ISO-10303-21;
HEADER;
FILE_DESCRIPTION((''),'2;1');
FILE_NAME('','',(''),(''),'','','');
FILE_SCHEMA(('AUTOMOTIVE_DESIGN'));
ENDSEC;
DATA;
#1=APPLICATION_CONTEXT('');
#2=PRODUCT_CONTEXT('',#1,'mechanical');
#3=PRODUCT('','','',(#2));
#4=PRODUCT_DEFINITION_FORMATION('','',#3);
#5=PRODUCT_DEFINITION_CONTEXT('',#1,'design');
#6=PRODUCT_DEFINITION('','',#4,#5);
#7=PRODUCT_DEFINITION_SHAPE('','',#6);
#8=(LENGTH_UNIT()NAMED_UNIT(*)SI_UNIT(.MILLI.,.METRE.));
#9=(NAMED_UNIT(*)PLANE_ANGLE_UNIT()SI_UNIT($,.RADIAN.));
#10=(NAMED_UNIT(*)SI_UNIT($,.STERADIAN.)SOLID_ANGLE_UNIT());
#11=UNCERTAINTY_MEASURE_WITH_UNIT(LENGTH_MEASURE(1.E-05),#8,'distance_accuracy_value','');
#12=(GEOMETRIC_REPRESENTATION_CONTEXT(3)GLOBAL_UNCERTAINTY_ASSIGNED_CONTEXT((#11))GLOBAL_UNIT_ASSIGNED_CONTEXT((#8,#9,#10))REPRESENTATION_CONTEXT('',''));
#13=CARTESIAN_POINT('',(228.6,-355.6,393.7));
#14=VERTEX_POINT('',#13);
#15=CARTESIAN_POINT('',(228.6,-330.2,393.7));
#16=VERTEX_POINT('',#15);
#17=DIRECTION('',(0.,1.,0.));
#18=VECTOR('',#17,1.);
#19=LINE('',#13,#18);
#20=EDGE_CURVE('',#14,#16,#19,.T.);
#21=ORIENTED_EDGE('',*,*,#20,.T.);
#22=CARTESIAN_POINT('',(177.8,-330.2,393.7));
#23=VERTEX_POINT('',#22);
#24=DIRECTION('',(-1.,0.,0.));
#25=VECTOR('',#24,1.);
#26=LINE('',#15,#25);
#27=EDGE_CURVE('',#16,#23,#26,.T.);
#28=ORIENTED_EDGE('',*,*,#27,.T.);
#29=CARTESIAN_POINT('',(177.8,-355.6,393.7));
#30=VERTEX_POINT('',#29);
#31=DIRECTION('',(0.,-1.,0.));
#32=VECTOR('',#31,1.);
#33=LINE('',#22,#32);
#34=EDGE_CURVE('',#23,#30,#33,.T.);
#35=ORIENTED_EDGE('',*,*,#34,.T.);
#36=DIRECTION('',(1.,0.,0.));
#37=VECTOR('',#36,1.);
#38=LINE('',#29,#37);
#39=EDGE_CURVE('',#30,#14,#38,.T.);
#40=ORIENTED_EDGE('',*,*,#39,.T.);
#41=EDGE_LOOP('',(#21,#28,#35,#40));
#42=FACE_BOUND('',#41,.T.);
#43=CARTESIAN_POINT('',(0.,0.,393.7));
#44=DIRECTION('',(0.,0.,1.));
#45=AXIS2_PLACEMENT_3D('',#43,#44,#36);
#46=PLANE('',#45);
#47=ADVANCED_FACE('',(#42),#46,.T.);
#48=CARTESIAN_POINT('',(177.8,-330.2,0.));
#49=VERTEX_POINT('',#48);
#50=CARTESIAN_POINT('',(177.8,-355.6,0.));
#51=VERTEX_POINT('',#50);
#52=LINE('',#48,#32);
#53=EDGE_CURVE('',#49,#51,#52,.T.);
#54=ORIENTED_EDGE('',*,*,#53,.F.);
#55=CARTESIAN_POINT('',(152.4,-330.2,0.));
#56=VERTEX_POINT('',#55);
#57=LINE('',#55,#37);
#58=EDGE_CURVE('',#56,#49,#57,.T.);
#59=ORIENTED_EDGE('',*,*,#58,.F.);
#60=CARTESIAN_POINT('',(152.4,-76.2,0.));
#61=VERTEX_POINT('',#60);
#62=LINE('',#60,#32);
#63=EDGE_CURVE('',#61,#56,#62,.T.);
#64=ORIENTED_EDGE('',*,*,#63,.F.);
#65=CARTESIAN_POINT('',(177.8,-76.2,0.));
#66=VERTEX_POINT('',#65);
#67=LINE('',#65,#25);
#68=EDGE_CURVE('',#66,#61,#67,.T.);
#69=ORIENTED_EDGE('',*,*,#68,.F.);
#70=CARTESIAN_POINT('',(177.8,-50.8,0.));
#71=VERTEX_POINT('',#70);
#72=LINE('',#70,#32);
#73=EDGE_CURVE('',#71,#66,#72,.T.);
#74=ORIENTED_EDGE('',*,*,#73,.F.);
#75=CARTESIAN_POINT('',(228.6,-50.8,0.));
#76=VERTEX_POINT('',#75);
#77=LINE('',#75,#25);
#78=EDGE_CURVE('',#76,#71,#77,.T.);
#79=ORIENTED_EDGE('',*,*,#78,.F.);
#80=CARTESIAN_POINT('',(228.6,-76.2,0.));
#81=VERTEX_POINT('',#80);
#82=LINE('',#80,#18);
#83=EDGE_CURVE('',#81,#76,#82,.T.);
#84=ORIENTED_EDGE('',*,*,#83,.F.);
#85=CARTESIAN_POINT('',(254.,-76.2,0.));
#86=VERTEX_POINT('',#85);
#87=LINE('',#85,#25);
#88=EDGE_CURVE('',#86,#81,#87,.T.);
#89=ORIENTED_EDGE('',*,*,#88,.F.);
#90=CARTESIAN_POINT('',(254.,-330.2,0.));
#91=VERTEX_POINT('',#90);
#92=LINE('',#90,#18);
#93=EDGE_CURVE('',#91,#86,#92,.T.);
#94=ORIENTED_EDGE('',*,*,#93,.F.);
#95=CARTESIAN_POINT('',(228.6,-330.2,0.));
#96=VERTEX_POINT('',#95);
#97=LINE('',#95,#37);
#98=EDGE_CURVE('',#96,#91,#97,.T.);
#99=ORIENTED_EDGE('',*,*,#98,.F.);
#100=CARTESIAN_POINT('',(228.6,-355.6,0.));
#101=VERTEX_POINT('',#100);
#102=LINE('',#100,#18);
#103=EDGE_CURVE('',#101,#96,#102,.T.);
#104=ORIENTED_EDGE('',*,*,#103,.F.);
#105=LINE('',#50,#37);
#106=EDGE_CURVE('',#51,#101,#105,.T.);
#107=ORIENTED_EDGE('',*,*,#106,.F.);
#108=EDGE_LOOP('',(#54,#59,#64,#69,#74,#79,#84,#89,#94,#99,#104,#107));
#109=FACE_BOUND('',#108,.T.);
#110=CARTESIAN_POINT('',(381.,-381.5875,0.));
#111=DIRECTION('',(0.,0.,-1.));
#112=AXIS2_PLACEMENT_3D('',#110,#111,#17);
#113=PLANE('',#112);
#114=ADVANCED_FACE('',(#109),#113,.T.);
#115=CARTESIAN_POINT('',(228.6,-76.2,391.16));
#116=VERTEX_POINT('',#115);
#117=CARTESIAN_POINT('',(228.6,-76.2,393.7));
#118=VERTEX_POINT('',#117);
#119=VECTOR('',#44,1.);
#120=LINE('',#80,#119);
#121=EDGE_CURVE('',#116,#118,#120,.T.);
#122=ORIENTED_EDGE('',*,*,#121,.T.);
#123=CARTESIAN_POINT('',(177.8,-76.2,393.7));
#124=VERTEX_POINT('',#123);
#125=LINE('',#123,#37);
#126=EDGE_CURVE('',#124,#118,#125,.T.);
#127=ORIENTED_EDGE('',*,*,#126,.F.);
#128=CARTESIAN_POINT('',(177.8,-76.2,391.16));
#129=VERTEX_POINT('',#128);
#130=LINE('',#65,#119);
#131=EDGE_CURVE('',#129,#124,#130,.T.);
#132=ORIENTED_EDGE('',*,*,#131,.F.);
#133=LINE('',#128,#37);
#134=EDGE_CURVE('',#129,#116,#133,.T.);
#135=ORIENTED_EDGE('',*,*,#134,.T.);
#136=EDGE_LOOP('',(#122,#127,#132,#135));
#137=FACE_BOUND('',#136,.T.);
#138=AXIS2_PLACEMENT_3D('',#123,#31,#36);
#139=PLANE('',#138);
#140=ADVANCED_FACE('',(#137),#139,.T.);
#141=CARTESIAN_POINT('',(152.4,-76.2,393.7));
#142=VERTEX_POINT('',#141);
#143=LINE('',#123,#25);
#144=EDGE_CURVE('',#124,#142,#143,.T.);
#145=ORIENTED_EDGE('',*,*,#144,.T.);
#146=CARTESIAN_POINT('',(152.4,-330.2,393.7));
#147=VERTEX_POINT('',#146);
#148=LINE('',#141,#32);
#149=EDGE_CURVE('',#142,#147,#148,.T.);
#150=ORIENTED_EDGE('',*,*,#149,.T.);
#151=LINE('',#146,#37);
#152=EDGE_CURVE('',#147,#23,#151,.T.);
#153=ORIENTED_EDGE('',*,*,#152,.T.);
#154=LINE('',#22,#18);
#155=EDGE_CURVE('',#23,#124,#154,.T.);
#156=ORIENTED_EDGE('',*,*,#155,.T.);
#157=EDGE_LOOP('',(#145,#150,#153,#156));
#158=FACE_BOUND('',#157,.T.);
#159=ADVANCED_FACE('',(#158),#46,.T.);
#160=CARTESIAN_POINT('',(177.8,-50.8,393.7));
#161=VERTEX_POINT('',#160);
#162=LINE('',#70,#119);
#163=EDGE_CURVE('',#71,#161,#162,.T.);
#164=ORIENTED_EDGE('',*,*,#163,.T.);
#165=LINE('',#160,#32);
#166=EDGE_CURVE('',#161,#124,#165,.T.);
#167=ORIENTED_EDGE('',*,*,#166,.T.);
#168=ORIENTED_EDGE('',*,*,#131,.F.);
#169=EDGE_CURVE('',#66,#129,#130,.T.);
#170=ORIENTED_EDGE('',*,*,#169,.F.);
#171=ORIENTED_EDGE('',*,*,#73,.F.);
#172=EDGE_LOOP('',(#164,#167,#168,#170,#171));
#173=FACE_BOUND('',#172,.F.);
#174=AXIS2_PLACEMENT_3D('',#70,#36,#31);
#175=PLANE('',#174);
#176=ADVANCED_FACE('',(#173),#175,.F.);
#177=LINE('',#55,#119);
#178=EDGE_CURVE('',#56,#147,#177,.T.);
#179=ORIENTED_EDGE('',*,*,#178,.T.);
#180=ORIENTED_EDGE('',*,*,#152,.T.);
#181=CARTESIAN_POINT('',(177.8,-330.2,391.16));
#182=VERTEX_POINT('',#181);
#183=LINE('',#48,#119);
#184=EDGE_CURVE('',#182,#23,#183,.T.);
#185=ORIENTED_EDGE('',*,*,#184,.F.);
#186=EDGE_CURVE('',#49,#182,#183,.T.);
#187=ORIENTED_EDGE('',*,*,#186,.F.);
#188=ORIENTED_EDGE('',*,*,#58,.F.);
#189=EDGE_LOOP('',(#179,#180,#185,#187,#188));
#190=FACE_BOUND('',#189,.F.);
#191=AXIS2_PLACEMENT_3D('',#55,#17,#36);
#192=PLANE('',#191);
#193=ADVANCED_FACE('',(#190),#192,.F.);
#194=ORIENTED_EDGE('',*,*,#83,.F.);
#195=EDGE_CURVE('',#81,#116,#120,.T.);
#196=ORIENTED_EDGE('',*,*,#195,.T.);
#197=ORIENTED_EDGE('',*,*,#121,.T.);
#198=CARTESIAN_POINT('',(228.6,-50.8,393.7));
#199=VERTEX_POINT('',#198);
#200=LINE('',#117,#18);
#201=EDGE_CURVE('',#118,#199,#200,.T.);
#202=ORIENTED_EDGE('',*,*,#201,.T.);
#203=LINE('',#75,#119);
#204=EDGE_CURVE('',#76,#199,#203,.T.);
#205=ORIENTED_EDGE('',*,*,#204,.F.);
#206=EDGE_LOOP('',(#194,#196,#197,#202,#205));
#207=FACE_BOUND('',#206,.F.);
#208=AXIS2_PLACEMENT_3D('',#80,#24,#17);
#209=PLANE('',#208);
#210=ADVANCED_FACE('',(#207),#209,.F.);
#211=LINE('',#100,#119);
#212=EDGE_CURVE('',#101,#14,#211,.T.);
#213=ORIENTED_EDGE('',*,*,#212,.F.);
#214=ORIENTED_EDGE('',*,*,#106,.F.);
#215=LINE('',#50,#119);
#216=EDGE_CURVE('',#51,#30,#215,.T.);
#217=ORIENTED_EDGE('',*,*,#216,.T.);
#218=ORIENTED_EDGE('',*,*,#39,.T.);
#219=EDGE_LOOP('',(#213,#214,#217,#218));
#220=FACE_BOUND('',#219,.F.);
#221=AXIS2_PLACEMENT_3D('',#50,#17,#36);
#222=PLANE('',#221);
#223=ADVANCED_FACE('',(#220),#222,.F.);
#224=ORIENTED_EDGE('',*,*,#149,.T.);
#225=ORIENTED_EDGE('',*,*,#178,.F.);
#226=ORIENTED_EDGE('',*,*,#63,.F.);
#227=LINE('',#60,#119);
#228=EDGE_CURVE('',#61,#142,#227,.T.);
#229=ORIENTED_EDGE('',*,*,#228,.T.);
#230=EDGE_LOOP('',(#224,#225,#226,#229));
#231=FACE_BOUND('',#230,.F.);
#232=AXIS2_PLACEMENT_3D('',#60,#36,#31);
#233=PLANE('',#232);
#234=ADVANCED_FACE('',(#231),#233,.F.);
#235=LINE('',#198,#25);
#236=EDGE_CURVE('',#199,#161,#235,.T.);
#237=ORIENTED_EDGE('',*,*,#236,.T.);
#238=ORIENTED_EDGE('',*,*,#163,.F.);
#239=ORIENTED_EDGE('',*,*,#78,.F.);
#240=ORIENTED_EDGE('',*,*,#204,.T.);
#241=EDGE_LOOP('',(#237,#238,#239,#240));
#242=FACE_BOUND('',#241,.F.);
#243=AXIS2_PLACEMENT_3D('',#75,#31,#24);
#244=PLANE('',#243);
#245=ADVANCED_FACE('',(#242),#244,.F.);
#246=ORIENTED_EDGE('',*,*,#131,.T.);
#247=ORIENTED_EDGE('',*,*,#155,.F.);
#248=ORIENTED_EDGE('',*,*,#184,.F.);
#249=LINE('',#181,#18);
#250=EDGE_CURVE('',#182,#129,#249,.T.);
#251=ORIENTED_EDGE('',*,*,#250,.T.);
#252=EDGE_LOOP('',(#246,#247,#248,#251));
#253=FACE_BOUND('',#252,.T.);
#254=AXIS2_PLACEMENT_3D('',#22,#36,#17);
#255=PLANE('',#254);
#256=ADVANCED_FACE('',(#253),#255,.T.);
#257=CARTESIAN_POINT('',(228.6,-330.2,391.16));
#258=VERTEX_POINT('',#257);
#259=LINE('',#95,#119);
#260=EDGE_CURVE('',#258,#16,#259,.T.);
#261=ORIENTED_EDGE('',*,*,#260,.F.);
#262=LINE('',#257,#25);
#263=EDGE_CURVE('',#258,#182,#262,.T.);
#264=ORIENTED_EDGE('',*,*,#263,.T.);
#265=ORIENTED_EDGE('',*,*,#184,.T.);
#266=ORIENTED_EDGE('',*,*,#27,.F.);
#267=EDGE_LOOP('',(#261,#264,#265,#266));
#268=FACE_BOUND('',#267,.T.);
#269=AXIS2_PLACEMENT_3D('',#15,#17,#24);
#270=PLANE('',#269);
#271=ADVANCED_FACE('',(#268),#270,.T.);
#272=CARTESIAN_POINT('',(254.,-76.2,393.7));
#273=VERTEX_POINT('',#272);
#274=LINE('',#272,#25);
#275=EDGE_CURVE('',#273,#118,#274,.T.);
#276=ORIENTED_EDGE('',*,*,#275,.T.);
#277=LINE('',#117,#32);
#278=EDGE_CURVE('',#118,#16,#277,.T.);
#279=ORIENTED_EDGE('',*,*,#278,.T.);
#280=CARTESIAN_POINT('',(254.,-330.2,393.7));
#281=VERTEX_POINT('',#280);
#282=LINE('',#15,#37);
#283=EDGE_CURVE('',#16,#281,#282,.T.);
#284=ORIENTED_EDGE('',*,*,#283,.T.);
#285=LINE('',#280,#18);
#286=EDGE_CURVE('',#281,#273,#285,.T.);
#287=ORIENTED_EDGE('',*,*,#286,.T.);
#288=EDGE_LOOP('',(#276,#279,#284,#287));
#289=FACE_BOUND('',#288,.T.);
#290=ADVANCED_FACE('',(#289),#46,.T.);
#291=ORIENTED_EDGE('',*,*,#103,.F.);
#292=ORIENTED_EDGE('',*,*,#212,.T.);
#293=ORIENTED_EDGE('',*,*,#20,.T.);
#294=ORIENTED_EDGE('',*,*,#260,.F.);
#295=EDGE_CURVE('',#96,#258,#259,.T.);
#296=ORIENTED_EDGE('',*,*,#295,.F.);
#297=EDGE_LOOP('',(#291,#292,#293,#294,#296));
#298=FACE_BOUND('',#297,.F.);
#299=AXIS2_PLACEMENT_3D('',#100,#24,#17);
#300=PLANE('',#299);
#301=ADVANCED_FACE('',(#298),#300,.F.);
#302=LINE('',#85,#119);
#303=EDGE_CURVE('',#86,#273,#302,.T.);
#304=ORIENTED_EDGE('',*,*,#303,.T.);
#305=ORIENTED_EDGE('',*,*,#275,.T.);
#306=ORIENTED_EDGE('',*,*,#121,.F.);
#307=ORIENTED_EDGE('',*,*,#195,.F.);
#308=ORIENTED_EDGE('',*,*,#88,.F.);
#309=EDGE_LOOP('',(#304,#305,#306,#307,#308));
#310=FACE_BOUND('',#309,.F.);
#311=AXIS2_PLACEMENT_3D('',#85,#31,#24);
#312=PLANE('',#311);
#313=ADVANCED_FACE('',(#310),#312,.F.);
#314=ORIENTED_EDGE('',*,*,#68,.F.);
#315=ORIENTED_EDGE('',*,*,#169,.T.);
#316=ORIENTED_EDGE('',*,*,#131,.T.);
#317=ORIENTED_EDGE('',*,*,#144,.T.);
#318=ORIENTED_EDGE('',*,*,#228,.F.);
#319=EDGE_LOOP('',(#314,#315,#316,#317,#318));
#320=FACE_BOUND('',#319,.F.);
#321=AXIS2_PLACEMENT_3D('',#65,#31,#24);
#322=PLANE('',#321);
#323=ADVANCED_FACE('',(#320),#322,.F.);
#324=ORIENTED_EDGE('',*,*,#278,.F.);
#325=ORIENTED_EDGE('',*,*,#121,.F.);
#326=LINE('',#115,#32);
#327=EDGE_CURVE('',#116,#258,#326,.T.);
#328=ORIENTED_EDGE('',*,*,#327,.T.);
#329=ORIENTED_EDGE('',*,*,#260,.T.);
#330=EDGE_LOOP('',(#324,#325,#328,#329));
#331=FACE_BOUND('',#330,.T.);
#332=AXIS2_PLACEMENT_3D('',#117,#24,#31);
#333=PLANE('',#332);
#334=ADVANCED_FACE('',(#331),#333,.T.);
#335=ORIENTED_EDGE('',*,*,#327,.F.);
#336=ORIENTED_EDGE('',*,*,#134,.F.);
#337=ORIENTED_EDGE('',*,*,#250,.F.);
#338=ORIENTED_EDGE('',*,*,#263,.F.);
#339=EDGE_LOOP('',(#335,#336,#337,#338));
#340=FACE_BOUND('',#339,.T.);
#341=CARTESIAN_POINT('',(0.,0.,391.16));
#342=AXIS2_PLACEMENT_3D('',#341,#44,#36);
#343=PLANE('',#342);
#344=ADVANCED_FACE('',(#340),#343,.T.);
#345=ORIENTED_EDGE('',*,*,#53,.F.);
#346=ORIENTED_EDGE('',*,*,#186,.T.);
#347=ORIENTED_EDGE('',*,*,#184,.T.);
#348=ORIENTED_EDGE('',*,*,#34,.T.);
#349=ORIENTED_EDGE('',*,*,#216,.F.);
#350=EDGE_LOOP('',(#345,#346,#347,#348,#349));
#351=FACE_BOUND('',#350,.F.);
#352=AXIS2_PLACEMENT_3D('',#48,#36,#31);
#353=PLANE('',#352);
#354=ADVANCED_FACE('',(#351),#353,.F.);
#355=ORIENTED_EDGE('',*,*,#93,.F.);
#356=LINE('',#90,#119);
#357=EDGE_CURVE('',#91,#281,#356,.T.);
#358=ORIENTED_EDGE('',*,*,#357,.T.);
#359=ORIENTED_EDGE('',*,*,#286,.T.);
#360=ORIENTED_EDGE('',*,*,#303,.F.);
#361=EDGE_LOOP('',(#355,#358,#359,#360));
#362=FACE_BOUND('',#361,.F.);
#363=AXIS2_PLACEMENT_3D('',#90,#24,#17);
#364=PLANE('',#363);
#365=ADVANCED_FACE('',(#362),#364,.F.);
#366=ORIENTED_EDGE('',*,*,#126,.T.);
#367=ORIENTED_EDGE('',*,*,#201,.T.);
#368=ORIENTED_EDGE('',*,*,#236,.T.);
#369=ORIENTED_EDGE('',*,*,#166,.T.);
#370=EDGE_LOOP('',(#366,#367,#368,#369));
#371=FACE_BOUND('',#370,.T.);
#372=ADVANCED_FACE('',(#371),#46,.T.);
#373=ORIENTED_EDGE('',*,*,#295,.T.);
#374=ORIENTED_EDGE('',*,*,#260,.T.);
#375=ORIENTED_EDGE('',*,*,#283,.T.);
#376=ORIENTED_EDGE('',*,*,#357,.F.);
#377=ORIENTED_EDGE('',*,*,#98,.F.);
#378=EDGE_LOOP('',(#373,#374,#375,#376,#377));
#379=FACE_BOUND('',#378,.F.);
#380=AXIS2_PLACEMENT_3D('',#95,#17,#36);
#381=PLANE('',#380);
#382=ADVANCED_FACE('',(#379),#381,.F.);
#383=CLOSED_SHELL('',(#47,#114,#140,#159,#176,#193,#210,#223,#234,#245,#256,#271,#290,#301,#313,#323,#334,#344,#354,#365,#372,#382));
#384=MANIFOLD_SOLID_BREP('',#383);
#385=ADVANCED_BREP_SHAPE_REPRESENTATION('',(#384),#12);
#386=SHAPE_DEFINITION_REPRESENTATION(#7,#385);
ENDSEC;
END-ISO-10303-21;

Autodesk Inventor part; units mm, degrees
ref_plane "YZ Plane" through (0, 0, 0) normal (1, 0, 0) x (0, 1, 0)
ref_plane "XZ Plane" through (0, 0, 0) normal (0, 1, 0) x (-1, 0, 0)
ref_plane "XY Plane" through (0, 0, 0) normal (0, 0, 1) x (1, 0, 0)
sketch "Sketch1" plane through (0, 0, 0) normal (0, 0, 1) x (1, 0, 0)
  line L0 (0, 0) -> (812.8, 0) construction
  line L1 (812.8, 0) -> (812.8, -406.4) construction
  line L2 (812.8, -406.4) -> (0, -406.4) construction
  line L3 (0, -406.4) -> (0, 0) construction
  line L4 (0, 0) -> (406.4, 0)
  line L5 (406.4, 0) -> (406.4, -25.4)
  line L6 (406.4, -25.4) -> (0, -25.4)
  line L7 (0, -25.4) -> (0, 0)
  line L8 (406.4, -25.4) -> (381, -25.4)
  line L9 (381, -25.4) -> (381, -406.4)
  line L10 (381, -406.4) -> (406.4, -406.4)
  line L11 (406.4, -406.4) -> (406.4, -25.4)
  line L12 (381, -406.4) -> (0, -406.4)
  line L13 (0, -406.4) -> (0, -381)
  line L14 (0, -381) -> (381, -381)
  line L15 (381, -381) -> (381, -406.4)
  line L16 (0, -381) -> (25.4, -381)
  line L17 (25.4, -381) -> (25.4, -25.4)
  line L18 (25.4, -25.4) -> (0, -25.4)
  line L19 (0, -25.4) -> (0, -381)
  dimension "d1" = 812.8
  dimension "d5" = 406.4
  dimension "d6" = 25.4
  dimension "d7" = 25.4
  dimension "d8" = 381
  dimension "d9" = 381
  dimension "d10" = 25.4
  dimension "d11" = 25.4
extrude "Extrusion1" add sketch "Sketch1" against normal blind 25.4 contours L6 L9 L14 L17
sketch "Sketch3" plane through (0, 0, 0) normal (0, 0, 1) x (1, 0, 0)
  line L0 (-406.4, 0) -> (406.4, 0) construction
  line L1 (406.4, 0) -> (406.4, -406.4) construction
  line L2 (406.4, -406.4) -> (-406.4, -406.4) construction
  line L3 (-406.4, -406.4) -> (-406.4, 0) construction
  line L4 (406.4, -406.4) -> (406.4, 0)
  line L5 (381, -381) -> (25.4, -381) projected
  line L6 (25.4, -381) -> (177.8, -381)
  line L7 (177.8, -381) -> (203.2, -381)
  line L8 (177.8, -381) -> (177.8, -355.6)
  line L9 (177.8, -355.6) -> (228.6, -355.6)
  line L10 (228.6, -355.6) -> (228.6, -330.2)
  line L11 (228.6, -330.2) -> (254, -330.2)
  line L12 (254, -330.2) -> (254, -76.2)
  line L13 (254, -76.2) -> (228.6, -76.2)
  line L14 (228.6, -76.2) -> (228.6, -50.8)
  line L15 (228.6, -50.8) -> (177.8, -50.8)
  line L16 (177.8, -50.8) -> (177.8, -76.2)
  line L17 (177.8, -76.2) -> (152.4, -76.2)
  line L18 (152.4, -76.2) -> (152.4, -330.2)
  line L19 (152.4, -330.2) -> (177.8, -330.2)
  line L20 (177.8, -330.2) -> (177.8, -355.6)
  point P0 (0, 0)
  dimension "d36" = 812.8
  dimension "d48" = 152.4
  dimension "d49" = 25.4
  dimension "d50" = 25.4
  dimension "d51" = 50.8
  dimension "d52" = 25.4
  dimension "d53" = 25.4
  dimension "d54" = 254
  dimension "d55" = 25.4
  dimension "d56" = 25.4
  dimension "d57" = 50.8
  dimension "d58" = 25.4
  dimension "d59" = 25.4
  dimension "d60" = 254
  dimension "d61" = 25.4
extrude "Extrusion3" add sketch "Sketch3" along normal blind 393.7
sketch "Sketch4" plane through (381, -381, 0) normal (1, 0, 0) x (0, 0, -1)
  line L0 (0, 355.6) -> (25.4, 355.6) projected
  line L1 (153.8842, -0.5875) -> (0, -0.5875)
  line L2 (0, -0.5875) -> (0, 355.6)
  line L3 (0, 355.6) -> (153.8842, 355.6)
  line L4 (153.8842, 355.6) -> (153.8842, -0.5875)
  point P0 (0, 381)
extrude "Extrusion4" cut sketch "Sketch4" against normal blind 393.7
sketch "Sketch5" plane through (0, 0, 393.7) normal (0, 0, 1) x (1, 0, 0)
  line L0 (177.8, -50.8) -> (177.8, -76.2) projected
  line L1 (228.6, -355.6) -> (228.6, -330.2) projected
  line L2 (177.8, -76.2) -> (228.6, -76.2)
  line L3 (228.6, -76.2) -> (228.6, -330.2)
  line L4 (228.6, -330.2) -> (177.8, -330.2)
  line L5 (177.8, -330.2) -> (177.8, -76.2)
  point P0 (0, 0)
extrude "Extrusion5" cut sketch "Sketch5" against normal blind 2.54
properties part number "JukeBox CD Player"
